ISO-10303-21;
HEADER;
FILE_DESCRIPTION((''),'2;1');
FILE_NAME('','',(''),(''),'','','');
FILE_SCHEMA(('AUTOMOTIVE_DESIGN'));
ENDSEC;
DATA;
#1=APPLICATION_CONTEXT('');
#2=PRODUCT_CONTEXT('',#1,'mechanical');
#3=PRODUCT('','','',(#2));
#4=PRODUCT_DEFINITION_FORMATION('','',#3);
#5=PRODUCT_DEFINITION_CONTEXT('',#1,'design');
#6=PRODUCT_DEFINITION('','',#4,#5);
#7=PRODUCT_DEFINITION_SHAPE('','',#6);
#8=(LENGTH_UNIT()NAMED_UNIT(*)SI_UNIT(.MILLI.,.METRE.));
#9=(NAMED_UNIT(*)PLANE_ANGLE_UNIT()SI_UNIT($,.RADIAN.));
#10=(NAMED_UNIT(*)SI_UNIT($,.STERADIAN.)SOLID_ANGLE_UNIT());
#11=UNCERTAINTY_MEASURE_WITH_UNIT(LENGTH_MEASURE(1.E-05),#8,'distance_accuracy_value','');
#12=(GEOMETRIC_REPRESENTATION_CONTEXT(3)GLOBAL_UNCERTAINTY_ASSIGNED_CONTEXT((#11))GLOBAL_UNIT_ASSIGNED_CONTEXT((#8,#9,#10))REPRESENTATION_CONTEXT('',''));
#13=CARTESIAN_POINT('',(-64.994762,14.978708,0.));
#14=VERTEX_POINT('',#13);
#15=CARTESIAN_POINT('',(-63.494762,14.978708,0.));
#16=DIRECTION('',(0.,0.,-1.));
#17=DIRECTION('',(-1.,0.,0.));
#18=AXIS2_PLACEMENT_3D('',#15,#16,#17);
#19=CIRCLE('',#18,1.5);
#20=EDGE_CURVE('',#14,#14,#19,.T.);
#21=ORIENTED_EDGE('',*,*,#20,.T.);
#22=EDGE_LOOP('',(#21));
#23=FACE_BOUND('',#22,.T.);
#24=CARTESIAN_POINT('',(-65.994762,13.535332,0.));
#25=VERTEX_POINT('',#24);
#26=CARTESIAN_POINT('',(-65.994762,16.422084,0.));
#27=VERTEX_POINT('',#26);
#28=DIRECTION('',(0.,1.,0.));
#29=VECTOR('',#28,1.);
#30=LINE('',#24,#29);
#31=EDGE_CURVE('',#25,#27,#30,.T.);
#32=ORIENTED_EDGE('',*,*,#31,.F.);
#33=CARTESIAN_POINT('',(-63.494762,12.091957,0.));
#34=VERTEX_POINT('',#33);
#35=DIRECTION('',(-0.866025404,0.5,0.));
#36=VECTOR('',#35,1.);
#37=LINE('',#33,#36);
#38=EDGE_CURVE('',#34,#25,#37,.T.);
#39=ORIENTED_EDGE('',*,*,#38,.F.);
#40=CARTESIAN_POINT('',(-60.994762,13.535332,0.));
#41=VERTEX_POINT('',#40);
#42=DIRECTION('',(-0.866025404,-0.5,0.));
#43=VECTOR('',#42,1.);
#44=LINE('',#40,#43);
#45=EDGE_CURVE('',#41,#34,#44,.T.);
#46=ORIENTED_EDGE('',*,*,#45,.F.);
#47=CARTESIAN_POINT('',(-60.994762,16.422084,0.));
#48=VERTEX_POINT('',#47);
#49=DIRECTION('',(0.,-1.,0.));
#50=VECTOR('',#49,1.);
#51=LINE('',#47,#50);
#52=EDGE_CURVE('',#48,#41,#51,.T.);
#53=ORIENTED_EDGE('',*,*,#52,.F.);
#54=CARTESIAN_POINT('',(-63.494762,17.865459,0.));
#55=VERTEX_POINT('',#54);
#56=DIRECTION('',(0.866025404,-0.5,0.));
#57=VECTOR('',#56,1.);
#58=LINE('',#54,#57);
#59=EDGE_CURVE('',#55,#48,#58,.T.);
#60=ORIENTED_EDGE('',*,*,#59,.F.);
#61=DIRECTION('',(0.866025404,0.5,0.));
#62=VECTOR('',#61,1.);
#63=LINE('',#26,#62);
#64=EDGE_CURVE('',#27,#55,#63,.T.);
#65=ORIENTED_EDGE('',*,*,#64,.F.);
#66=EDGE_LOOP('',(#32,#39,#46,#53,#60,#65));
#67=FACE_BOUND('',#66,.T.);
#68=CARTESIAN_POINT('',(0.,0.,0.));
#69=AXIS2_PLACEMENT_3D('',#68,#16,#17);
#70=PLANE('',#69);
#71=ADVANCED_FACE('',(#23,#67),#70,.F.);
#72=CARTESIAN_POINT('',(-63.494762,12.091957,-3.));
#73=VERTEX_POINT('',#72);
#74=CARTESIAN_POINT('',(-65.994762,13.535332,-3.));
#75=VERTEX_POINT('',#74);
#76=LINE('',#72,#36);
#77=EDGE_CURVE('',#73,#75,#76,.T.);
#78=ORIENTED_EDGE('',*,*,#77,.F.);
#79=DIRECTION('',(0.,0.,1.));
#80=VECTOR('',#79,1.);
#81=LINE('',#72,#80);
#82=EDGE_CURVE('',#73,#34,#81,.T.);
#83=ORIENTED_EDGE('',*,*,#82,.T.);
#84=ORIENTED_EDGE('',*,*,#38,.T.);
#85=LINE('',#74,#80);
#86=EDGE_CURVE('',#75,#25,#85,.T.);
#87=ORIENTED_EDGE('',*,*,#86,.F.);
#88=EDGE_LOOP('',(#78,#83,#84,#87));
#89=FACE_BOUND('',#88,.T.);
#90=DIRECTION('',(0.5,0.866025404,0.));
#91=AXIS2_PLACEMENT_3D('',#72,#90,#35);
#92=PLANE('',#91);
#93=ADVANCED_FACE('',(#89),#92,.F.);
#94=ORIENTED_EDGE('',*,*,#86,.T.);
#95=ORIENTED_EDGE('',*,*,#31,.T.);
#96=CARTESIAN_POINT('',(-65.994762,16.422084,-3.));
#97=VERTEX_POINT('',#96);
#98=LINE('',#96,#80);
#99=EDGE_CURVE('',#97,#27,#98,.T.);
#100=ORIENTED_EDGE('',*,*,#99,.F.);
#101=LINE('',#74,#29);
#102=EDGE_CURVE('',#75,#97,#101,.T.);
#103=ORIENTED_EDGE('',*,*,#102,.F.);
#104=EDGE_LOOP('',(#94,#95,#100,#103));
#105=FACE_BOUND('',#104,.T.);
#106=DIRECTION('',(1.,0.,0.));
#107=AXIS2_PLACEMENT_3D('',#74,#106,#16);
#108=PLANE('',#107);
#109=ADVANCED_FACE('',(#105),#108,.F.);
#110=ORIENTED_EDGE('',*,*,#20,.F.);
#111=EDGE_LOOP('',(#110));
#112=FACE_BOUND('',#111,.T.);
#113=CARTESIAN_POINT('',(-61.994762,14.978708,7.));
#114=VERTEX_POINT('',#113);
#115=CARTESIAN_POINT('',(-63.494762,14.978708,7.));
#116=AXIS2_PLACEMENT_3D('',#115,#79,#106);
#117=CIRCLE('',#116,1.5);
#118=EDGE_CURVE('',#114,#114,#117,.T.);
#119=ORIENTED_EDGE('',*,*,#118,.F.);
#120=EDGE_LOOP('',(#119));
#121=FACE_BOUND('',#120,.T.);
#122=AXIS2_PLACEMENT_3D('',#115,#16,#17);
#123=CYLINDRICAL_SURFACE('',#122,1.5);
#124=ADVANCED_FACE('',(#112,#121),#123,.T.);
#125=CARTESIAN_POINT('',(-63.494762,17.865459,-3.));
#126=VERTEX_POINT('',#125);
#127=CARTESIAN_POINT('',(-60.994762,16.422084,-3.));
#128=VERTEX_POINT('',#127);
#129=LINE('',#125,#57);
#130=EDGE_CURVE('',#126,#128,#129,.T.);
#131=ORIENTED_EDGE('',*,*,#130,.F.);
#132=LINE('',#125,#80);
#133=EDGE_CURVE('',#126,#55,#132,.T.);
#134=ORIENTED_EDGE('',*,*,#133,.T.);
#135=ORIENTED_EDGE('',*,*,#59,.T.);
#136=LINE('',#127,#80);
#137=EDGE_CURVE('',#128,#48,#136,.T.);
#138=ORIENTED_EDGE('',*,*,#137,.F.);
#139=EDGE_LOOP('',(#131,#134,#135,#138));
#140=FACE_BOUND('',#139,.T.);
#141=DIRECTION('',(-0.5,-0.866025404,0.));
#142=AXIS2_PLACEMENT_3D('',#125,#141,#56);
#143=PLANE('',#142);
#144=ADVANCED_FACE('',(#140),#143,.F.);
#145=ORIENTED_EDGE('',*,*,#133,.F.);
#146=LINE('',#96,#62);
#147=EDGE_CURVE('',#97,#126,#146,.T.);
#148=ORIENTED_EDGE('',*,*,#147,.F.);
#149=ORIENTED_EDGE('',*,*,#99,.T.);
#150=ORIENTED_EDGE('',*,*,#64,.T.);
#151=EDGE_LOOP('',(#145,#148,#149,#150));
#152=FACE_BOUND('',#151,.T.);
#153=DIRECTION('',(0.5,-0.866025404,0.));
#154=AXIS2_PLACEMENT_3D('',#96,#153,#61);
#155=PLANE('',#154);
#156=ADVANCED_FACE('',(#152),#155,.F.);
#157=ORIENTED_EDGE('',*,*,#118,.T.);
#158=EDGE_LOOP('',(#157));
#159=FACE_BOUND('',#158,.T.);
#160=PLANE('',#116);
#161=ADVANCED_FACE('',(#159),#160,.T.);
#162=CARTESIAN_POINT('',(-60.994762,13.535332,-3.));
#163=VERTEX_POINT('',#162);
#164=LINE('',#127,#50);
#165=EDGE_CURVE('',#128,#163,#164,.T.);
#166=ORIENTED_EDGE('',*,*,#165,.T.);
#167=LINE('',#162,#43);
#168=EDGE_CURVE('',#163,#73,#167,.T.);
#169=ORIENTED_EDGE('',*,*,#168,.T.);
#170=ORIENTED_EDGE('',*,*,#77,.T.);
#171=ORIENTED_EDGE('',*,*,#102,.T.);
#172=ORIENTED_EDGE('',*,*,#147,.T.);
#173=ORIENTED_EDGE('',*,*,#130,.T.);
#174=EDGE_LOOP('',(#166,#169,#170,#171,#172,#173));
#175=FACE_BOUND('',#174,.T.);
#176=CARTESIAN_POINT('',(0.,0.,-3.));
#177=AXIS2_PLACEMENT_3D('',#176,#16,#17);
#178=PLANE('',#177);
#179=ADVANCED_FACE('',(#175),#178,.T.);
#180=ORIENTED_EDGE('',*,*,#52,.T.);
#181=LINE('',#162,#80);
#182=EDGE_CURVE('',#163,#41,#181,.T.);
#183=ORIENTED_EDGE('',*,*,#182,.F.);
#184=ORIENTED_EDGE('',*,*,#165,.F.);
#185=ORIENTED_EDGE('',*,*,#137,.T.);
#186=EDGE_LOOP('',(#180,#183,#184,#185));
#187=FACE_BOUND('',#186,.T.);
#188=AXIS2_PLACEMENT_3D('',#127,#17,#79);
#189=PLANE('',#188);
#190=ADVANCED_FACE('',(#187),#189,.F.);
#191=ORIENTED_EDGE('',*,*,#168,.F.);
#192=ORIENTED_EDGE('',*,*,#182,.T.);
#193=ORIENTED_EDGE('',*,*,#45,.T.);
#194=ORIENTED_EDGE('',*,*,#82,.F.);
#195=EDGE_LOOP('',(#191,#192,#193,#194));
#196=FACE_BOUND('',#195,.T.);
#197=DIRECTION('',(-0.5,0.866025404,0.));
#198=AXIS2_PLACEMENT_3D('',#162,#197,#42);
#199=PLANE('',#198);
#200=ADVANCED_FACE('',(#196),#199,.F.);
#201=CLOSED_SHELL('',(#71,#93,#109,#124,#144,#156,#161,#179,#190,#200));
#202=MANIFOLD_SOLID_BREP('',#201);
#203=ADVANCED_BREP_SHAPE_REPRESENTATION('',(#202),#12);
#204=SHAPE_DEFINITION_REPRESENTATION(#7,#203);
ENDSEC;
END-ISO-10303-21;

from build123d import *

# Parameters (mm, degrees)
SKETCH1_R           = 1.5
BOSS_EXTRUDE1_DEPTH = 7
BOSS_EXTRUDE2_DEPTH = 3


with BuildPart() as part:
    # Sketch1 → Boss-Extrude1 (new body)
    with BuildSketch(Plane.XY):
        with Locations((-63.49476159, 14.978708134)):
            Circle(SKETCH1_R)
    extrude(amount=BOSS_EXTRUDE1_DEPTH)

    # Sketch2 → Boss-Extrude2 (add)
    with BuildSketch(Plane(origin=(0, 0, 0), x_dir=(-1, 0, 0), z_dir=(0, 0, -1))):
        Polygon((63.49476159, 12.091956788), (65.99476159, 13.535332461), (65.99476159, 16.422083807), (63.49476159, 17.86545948), (60.99476159, 16.422083807), (60.99476159, 13.535332461), align=None)
    extrude(amount=BOSS_EXTRUDE2_DEPTH)


solid = part.part
